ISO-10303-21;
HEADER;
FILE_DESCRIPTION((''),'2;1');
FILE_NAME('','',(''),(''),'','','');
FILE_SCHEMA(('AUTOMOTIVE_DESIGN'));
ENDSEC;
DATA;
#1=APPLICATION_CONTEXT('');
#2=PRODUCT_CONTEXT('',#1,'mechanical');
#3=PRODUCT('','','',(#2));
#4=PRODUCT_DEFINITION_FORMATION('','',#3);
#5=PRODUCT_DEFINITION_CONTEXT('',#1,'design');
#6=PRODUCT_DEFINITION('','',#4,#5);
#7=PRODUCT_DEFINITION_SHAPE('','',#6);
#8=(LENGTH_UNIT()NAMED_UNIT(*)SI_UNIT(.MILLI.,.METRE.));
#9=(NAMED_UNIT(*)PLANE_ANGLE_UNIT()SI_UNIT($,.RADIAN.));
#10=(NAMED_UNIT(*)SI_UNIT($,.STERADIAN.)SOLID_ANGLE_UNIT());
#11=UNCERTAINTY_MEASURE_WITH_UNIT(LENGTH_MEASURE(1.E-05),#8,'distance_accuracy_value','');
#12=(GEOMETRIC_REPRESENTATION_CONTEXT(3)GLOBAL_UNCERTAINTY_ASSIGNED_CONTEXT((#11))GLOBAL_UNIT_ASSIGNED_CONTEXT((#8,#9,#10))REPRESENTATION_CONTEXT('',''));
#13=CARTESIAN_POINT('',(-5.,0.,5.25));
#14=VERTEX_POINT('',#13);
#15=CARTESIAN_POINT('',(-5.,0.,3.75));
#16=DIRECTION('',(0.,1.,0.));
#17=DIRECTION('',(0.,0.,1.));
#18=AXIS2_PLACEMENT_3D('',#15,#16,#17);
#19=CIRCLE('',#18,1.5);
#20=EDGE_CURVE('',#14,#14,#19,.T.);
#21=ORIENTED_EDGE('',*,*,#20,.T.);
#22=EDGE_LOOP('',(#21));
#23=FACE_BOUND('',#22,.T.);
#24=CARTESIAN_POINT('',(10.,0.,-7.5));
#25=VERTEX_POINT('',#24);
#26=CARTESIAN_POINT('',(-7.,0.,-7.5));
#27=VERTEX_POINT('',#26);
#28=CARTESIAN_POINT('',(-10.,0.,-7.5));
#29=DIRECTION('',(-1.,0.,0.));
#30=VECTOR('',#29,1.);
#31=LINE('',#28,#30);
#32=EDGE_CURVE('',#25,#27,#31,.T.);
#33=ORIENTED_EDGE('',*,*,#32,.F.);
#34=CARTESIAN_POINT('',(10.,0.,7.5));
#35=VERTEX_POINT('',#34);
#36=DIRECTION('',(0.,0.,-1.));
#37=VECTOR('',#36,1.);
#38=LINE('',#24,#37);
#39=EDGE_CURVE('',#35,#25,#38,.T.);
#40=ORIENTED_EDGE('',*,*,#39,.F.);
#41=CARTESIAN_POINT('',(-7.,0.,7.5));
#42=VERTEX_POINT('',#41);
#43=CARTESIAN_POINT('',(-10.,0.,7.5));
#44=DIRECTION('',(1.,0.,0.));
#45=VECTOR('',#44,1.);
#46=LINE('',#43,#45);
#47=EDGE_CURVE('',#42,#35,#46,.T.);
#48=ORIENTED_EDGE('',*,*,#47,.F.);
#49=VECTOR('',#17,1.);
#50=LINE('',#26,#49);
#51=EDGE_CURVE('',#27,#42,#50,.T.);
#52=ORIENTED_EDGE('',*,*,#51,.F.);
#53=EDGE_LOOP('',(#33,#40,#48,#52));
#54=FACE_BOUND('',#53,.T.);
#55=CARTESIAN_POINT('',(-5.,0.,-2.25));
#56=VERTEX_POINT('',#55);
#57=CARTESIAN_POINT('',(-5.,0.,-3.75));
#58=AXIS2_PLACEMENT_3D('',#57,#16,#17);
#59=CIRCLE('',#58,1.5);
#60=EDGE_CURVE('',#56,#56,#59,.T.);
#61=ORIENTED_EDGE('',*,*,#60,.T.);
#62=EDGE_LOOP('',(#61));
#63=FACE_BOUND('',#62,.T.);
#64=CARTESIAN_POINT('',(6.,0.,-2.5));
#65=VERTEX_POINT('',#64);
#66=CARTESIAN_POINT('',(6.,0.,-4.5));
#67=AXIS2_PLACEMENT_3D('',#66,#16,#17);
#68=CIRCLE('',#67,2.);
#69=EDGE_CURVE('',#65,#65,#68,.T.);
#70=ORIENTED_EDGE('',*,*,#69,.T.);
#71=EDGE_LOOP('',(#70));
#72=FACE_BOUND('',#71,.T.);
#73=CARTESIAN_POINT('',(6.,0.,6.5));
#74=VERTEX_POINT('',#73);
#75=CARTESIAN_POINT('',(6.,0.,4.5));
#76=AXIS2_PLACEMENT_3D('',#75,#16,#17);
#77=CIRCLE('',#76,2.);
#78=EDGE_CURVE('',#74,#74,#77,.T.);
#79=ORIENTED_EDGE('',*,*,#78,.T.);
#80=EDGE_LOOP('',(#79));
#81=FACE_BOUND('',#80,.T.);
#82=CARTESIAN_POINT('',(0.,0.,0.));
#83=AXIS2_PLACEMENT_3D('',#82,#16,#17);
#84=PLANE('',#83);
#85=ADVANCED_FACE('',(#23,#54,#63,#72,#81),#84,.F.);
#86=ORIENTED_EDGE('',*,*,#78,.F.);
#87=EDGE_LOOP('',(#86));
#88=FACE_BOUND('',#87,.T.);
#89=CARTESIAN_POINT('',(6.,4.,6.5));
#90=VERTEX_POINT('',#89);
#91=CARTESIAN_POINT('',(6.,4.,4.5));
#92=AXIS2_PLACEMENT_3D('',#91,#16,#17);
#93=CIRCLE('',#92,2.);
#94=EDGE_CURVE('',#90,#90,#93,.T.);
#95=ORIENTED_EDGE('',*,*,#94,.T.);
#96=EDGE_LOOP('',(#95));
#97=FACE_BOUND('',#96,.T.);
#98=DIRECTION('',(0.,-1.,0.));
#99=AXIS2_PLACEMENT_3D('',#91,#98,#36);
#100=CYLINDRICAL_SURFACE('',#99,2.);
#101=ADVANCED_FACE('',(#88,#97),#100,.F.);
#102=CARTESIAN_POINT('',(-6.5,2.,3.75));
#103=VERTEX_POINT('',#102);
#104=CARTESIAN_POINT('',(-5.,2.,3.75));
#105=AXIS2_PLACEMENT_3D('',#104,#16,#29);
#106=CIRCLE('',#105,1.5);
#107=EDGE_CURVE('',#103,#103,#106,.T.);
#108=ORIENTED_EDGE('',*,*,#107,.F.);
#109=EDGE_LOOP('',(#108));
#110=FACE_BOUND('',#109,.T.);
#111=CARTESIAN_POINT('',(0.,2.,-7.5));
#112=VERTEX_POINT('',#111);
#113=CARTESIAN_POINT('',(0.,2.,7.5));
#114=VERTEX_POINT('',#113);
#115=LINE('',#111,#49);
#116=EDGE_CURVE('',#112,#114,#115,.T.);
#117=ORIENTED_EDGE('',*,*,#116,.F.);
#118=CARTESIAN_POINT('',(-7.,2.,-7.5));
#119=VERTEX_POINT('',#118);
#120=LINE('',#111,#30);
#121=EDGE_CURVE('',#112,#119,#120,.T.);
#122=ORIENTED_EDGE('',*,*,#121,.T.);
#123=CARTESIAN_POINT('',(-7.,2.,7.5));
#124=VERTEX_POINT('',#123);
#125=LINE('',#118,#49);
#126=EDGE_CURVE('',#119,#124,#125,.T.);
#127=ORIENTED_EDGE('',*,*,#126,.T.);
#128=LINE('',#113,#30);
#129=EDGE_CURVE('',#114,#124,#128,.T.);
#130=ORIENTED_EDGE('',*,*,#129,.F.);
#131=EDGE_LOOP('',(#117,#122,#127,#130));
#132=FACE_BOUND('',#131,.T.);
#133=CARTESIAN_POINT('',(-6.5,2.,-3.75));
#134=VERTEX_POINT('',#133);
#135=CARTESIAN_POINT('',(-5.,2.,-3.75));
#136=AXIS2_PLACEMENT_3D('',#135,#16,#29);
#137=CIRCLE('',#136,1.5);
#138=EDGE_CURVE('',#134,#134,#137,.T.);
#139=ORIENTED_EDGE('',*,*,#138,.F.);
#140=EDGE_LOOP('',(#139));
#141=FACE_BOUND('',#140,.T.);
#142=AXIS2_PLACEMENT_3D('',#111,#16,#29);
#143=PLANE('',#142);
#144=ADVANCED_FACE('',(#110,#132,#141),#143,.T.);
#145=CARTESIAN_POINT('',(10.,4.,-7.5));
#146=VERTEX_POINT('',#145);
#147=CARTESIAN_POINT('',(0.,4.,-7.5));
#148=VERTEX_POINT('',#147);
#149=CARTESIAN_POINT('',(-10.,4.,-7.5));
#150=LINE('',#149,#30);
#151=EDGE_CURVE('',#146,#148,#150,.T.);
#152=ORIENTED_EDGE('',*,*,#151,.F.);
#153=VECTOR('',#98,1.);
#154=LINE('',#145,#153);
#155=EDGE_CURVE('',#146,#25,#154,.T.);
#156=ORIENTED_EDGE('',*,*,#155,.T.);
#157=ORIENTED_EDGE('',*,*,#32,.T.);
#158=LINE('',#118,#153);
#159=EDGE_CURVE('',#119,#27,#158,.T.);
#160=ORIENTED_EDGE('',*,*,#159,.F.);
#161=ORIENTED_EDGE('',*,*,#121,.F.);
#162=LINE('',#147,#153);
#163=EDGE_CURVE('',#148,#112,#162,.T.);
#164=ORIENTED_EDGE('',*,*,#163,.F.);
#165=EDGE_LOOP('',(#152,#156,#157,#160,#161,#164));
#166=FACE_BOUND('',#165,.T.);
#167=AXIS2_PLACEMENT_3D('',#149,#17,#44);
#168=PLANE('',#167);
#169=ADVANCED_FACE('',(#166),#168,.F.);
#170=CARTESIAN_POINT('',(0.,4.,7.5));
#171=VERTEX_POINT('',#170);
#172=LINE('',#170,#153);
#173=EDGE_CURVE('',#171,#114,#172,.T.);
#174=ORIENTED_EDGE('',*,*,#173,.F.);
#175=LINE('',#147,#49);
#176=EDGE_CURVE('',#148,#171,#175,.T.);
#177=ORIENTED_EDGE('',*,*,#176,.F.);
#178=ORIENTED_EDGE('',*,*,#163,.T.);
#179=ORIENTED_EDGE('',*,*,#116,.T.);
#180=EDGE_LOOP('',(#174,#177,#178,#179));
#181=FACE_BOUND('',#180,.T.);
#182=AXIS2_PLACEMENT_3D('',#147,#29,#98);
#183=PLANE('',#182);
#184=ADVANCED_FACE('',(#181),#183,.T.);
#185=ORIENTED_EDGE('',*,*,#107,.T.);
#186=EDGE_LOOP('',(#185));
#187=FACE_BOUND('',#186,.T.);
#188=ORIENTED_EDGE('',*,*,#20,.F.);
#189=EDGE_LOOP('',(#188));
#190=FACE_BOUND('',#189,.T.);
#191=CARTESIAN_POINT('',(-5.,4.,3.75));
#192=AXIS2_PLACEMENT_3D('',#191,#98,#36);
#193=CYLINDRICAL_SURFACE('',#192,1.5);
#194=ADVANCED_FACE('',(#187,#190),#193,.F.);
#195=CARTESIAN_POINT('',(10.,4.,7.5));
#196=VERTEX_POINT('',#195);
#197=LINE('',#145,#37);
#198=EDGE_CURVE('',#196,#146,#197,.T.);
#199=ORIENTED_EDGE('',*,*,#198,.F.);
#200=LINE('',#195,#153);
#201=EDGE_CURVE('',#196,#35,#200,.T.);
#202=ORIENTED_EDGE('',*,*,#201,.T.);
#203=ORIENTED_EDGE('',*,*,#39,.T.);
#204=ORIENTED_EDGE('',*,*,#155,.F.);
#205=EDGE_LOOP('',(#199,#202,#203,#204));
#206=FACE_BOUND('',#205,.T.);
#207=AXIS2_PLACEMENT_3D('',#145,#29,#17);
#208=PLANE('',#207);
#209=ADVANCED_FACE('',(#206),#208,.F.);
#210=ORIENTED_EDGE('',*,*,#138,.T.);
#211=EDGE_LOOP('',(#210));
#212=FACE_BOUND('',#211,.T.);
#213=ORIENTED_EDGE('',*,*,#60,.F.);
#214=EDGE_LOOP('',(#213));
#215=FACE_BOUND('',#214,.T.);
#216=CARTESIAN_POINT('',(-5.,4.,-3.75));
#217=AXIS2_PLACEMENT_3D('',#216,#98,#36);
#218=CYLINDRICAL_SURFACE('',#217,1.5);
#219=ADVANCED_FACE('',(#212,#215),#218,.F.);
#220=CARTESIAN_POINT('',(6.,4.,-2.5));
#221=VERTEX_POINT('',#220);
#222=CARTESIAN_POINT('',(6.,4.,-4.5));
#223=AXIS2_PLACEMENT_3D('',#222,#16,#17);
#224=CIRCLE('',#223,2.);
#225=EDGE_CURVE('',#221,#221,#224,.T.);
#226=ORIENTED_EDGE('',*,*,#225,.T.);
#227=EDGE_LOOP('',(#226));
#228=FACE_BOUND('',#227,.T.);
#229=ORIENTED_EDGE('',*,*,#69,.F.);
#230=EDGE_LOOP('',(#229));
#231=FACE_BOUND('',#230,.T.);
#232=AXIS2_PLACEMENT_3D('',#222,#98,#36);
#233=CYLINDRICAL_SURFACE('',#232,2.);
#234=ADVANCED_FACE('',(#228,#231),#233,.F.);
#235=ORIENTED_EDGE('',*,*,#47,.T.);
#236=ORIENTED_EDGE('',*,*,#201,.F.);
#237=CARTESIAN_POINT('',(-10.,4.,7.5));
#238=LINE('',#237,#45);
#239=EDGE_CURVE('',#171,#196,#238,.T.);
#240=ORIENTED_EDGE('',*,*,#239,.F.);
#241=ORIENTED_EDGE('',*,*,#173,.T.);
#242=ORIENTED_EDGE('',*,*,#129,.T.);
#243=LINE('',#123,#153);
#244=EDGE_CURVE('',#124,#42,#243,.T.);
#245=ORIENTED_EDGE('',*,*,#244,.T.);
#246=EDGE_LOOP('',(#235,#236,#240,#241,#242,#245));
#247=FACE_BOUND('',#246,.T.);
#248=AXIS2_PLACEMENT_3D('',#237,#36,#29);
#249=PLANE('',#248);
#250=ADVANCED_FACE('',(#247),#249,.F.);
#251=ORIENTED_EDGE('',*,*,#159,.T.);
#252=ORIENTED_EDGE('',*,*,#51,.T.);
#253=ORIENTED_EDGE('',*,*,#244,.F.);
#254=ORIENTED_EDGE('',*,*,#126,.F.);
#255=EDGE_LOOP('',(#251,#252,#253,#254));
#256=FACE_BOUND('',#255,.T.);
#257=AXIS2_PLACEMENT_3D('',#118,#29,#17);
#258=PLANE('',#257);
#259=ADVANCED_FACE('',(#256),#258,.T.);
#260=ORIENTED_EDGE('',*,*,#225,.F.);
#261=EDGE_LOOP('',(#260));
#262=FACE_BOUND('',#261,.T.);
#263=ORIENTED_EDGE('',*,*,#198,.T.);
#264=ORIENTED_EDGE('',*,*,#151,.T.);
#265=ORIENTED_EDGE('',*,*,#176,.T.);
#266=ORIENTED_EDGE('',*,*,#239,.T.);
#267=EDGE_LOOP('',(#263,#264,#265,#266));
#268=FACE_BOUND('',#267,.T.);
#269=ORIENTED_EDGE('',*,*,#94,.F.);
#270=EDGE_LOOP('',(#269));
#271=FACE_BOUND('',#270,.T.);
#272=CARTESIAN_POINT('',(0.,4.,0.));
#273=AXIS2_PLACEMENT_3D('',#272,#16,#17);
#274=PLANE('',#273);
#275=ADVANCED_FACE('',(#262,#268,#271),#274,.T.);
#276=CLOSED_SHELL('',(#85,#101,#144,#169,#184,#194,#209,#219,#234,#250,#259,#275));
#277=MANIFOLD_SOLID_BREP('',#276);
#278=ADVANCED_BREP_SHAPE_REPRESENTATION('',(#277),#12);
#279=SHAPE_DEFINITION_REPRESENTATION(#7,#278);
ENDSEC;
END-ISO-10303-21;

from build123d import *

# Parameters (mm, degrees)
CROQUIS1_W              = 20
CROQUIS1_H              = 15
CROQUIS1_R              = 1.5
CROQUIS1_R_2            = 2
SALIENTE_EXTRUIR1_DEPTH = 4
CORTAR_EXTRUIR1_DEPTH   = 16


with BuildPart() as part:
    # Croquis1 → Saliente-Extruir1 (new body)
    with BuildSketch(Plane(origin=(0, 0, 0), x_dir=(1, 0, 0), z_dir=(0, 1, 0))):
        Rectangle(CROQUIS1_W, CROQUIS1_H)
        with Locations((-5, 3.75)):
            Circle(CROQUIS1_R, mode=Mode.SUBTRACT)
        with Locations((-5, -3.75)):
            Circle(CROQUIS1_R, mode=Mode.SUBTRACT)
        with Locations((6, 4.5)):
            Circle(CROQUIS1_R_2, mode=Mode.SUBTRACT)
        with Locations((6, -4.5)):
            Circle(CROQUIS1_R_2, mode=Mode.SUBTRACT)
    extrude(amount=SALIENTE_EXTRUIR1_DEPTH)

    # Croquis2 → Cortar-Extruir1 (cut, through all)
    with BuildSketch(Plane(origin=(0, -3.5, 7.5), x_dir=(1, 0, 0), z_dir=(0, 0, -1))):
        Polygon((-10, -7.5), (0, -7.5), (0, -5.5), (-7, -5.5), (-7, -3.5), (-10, -3.5), align=None)
    extrude(amount=CORTAR_EXTRUIR1_DEPTH, mode=Mode.SUBTRACT)


solid = part.part
